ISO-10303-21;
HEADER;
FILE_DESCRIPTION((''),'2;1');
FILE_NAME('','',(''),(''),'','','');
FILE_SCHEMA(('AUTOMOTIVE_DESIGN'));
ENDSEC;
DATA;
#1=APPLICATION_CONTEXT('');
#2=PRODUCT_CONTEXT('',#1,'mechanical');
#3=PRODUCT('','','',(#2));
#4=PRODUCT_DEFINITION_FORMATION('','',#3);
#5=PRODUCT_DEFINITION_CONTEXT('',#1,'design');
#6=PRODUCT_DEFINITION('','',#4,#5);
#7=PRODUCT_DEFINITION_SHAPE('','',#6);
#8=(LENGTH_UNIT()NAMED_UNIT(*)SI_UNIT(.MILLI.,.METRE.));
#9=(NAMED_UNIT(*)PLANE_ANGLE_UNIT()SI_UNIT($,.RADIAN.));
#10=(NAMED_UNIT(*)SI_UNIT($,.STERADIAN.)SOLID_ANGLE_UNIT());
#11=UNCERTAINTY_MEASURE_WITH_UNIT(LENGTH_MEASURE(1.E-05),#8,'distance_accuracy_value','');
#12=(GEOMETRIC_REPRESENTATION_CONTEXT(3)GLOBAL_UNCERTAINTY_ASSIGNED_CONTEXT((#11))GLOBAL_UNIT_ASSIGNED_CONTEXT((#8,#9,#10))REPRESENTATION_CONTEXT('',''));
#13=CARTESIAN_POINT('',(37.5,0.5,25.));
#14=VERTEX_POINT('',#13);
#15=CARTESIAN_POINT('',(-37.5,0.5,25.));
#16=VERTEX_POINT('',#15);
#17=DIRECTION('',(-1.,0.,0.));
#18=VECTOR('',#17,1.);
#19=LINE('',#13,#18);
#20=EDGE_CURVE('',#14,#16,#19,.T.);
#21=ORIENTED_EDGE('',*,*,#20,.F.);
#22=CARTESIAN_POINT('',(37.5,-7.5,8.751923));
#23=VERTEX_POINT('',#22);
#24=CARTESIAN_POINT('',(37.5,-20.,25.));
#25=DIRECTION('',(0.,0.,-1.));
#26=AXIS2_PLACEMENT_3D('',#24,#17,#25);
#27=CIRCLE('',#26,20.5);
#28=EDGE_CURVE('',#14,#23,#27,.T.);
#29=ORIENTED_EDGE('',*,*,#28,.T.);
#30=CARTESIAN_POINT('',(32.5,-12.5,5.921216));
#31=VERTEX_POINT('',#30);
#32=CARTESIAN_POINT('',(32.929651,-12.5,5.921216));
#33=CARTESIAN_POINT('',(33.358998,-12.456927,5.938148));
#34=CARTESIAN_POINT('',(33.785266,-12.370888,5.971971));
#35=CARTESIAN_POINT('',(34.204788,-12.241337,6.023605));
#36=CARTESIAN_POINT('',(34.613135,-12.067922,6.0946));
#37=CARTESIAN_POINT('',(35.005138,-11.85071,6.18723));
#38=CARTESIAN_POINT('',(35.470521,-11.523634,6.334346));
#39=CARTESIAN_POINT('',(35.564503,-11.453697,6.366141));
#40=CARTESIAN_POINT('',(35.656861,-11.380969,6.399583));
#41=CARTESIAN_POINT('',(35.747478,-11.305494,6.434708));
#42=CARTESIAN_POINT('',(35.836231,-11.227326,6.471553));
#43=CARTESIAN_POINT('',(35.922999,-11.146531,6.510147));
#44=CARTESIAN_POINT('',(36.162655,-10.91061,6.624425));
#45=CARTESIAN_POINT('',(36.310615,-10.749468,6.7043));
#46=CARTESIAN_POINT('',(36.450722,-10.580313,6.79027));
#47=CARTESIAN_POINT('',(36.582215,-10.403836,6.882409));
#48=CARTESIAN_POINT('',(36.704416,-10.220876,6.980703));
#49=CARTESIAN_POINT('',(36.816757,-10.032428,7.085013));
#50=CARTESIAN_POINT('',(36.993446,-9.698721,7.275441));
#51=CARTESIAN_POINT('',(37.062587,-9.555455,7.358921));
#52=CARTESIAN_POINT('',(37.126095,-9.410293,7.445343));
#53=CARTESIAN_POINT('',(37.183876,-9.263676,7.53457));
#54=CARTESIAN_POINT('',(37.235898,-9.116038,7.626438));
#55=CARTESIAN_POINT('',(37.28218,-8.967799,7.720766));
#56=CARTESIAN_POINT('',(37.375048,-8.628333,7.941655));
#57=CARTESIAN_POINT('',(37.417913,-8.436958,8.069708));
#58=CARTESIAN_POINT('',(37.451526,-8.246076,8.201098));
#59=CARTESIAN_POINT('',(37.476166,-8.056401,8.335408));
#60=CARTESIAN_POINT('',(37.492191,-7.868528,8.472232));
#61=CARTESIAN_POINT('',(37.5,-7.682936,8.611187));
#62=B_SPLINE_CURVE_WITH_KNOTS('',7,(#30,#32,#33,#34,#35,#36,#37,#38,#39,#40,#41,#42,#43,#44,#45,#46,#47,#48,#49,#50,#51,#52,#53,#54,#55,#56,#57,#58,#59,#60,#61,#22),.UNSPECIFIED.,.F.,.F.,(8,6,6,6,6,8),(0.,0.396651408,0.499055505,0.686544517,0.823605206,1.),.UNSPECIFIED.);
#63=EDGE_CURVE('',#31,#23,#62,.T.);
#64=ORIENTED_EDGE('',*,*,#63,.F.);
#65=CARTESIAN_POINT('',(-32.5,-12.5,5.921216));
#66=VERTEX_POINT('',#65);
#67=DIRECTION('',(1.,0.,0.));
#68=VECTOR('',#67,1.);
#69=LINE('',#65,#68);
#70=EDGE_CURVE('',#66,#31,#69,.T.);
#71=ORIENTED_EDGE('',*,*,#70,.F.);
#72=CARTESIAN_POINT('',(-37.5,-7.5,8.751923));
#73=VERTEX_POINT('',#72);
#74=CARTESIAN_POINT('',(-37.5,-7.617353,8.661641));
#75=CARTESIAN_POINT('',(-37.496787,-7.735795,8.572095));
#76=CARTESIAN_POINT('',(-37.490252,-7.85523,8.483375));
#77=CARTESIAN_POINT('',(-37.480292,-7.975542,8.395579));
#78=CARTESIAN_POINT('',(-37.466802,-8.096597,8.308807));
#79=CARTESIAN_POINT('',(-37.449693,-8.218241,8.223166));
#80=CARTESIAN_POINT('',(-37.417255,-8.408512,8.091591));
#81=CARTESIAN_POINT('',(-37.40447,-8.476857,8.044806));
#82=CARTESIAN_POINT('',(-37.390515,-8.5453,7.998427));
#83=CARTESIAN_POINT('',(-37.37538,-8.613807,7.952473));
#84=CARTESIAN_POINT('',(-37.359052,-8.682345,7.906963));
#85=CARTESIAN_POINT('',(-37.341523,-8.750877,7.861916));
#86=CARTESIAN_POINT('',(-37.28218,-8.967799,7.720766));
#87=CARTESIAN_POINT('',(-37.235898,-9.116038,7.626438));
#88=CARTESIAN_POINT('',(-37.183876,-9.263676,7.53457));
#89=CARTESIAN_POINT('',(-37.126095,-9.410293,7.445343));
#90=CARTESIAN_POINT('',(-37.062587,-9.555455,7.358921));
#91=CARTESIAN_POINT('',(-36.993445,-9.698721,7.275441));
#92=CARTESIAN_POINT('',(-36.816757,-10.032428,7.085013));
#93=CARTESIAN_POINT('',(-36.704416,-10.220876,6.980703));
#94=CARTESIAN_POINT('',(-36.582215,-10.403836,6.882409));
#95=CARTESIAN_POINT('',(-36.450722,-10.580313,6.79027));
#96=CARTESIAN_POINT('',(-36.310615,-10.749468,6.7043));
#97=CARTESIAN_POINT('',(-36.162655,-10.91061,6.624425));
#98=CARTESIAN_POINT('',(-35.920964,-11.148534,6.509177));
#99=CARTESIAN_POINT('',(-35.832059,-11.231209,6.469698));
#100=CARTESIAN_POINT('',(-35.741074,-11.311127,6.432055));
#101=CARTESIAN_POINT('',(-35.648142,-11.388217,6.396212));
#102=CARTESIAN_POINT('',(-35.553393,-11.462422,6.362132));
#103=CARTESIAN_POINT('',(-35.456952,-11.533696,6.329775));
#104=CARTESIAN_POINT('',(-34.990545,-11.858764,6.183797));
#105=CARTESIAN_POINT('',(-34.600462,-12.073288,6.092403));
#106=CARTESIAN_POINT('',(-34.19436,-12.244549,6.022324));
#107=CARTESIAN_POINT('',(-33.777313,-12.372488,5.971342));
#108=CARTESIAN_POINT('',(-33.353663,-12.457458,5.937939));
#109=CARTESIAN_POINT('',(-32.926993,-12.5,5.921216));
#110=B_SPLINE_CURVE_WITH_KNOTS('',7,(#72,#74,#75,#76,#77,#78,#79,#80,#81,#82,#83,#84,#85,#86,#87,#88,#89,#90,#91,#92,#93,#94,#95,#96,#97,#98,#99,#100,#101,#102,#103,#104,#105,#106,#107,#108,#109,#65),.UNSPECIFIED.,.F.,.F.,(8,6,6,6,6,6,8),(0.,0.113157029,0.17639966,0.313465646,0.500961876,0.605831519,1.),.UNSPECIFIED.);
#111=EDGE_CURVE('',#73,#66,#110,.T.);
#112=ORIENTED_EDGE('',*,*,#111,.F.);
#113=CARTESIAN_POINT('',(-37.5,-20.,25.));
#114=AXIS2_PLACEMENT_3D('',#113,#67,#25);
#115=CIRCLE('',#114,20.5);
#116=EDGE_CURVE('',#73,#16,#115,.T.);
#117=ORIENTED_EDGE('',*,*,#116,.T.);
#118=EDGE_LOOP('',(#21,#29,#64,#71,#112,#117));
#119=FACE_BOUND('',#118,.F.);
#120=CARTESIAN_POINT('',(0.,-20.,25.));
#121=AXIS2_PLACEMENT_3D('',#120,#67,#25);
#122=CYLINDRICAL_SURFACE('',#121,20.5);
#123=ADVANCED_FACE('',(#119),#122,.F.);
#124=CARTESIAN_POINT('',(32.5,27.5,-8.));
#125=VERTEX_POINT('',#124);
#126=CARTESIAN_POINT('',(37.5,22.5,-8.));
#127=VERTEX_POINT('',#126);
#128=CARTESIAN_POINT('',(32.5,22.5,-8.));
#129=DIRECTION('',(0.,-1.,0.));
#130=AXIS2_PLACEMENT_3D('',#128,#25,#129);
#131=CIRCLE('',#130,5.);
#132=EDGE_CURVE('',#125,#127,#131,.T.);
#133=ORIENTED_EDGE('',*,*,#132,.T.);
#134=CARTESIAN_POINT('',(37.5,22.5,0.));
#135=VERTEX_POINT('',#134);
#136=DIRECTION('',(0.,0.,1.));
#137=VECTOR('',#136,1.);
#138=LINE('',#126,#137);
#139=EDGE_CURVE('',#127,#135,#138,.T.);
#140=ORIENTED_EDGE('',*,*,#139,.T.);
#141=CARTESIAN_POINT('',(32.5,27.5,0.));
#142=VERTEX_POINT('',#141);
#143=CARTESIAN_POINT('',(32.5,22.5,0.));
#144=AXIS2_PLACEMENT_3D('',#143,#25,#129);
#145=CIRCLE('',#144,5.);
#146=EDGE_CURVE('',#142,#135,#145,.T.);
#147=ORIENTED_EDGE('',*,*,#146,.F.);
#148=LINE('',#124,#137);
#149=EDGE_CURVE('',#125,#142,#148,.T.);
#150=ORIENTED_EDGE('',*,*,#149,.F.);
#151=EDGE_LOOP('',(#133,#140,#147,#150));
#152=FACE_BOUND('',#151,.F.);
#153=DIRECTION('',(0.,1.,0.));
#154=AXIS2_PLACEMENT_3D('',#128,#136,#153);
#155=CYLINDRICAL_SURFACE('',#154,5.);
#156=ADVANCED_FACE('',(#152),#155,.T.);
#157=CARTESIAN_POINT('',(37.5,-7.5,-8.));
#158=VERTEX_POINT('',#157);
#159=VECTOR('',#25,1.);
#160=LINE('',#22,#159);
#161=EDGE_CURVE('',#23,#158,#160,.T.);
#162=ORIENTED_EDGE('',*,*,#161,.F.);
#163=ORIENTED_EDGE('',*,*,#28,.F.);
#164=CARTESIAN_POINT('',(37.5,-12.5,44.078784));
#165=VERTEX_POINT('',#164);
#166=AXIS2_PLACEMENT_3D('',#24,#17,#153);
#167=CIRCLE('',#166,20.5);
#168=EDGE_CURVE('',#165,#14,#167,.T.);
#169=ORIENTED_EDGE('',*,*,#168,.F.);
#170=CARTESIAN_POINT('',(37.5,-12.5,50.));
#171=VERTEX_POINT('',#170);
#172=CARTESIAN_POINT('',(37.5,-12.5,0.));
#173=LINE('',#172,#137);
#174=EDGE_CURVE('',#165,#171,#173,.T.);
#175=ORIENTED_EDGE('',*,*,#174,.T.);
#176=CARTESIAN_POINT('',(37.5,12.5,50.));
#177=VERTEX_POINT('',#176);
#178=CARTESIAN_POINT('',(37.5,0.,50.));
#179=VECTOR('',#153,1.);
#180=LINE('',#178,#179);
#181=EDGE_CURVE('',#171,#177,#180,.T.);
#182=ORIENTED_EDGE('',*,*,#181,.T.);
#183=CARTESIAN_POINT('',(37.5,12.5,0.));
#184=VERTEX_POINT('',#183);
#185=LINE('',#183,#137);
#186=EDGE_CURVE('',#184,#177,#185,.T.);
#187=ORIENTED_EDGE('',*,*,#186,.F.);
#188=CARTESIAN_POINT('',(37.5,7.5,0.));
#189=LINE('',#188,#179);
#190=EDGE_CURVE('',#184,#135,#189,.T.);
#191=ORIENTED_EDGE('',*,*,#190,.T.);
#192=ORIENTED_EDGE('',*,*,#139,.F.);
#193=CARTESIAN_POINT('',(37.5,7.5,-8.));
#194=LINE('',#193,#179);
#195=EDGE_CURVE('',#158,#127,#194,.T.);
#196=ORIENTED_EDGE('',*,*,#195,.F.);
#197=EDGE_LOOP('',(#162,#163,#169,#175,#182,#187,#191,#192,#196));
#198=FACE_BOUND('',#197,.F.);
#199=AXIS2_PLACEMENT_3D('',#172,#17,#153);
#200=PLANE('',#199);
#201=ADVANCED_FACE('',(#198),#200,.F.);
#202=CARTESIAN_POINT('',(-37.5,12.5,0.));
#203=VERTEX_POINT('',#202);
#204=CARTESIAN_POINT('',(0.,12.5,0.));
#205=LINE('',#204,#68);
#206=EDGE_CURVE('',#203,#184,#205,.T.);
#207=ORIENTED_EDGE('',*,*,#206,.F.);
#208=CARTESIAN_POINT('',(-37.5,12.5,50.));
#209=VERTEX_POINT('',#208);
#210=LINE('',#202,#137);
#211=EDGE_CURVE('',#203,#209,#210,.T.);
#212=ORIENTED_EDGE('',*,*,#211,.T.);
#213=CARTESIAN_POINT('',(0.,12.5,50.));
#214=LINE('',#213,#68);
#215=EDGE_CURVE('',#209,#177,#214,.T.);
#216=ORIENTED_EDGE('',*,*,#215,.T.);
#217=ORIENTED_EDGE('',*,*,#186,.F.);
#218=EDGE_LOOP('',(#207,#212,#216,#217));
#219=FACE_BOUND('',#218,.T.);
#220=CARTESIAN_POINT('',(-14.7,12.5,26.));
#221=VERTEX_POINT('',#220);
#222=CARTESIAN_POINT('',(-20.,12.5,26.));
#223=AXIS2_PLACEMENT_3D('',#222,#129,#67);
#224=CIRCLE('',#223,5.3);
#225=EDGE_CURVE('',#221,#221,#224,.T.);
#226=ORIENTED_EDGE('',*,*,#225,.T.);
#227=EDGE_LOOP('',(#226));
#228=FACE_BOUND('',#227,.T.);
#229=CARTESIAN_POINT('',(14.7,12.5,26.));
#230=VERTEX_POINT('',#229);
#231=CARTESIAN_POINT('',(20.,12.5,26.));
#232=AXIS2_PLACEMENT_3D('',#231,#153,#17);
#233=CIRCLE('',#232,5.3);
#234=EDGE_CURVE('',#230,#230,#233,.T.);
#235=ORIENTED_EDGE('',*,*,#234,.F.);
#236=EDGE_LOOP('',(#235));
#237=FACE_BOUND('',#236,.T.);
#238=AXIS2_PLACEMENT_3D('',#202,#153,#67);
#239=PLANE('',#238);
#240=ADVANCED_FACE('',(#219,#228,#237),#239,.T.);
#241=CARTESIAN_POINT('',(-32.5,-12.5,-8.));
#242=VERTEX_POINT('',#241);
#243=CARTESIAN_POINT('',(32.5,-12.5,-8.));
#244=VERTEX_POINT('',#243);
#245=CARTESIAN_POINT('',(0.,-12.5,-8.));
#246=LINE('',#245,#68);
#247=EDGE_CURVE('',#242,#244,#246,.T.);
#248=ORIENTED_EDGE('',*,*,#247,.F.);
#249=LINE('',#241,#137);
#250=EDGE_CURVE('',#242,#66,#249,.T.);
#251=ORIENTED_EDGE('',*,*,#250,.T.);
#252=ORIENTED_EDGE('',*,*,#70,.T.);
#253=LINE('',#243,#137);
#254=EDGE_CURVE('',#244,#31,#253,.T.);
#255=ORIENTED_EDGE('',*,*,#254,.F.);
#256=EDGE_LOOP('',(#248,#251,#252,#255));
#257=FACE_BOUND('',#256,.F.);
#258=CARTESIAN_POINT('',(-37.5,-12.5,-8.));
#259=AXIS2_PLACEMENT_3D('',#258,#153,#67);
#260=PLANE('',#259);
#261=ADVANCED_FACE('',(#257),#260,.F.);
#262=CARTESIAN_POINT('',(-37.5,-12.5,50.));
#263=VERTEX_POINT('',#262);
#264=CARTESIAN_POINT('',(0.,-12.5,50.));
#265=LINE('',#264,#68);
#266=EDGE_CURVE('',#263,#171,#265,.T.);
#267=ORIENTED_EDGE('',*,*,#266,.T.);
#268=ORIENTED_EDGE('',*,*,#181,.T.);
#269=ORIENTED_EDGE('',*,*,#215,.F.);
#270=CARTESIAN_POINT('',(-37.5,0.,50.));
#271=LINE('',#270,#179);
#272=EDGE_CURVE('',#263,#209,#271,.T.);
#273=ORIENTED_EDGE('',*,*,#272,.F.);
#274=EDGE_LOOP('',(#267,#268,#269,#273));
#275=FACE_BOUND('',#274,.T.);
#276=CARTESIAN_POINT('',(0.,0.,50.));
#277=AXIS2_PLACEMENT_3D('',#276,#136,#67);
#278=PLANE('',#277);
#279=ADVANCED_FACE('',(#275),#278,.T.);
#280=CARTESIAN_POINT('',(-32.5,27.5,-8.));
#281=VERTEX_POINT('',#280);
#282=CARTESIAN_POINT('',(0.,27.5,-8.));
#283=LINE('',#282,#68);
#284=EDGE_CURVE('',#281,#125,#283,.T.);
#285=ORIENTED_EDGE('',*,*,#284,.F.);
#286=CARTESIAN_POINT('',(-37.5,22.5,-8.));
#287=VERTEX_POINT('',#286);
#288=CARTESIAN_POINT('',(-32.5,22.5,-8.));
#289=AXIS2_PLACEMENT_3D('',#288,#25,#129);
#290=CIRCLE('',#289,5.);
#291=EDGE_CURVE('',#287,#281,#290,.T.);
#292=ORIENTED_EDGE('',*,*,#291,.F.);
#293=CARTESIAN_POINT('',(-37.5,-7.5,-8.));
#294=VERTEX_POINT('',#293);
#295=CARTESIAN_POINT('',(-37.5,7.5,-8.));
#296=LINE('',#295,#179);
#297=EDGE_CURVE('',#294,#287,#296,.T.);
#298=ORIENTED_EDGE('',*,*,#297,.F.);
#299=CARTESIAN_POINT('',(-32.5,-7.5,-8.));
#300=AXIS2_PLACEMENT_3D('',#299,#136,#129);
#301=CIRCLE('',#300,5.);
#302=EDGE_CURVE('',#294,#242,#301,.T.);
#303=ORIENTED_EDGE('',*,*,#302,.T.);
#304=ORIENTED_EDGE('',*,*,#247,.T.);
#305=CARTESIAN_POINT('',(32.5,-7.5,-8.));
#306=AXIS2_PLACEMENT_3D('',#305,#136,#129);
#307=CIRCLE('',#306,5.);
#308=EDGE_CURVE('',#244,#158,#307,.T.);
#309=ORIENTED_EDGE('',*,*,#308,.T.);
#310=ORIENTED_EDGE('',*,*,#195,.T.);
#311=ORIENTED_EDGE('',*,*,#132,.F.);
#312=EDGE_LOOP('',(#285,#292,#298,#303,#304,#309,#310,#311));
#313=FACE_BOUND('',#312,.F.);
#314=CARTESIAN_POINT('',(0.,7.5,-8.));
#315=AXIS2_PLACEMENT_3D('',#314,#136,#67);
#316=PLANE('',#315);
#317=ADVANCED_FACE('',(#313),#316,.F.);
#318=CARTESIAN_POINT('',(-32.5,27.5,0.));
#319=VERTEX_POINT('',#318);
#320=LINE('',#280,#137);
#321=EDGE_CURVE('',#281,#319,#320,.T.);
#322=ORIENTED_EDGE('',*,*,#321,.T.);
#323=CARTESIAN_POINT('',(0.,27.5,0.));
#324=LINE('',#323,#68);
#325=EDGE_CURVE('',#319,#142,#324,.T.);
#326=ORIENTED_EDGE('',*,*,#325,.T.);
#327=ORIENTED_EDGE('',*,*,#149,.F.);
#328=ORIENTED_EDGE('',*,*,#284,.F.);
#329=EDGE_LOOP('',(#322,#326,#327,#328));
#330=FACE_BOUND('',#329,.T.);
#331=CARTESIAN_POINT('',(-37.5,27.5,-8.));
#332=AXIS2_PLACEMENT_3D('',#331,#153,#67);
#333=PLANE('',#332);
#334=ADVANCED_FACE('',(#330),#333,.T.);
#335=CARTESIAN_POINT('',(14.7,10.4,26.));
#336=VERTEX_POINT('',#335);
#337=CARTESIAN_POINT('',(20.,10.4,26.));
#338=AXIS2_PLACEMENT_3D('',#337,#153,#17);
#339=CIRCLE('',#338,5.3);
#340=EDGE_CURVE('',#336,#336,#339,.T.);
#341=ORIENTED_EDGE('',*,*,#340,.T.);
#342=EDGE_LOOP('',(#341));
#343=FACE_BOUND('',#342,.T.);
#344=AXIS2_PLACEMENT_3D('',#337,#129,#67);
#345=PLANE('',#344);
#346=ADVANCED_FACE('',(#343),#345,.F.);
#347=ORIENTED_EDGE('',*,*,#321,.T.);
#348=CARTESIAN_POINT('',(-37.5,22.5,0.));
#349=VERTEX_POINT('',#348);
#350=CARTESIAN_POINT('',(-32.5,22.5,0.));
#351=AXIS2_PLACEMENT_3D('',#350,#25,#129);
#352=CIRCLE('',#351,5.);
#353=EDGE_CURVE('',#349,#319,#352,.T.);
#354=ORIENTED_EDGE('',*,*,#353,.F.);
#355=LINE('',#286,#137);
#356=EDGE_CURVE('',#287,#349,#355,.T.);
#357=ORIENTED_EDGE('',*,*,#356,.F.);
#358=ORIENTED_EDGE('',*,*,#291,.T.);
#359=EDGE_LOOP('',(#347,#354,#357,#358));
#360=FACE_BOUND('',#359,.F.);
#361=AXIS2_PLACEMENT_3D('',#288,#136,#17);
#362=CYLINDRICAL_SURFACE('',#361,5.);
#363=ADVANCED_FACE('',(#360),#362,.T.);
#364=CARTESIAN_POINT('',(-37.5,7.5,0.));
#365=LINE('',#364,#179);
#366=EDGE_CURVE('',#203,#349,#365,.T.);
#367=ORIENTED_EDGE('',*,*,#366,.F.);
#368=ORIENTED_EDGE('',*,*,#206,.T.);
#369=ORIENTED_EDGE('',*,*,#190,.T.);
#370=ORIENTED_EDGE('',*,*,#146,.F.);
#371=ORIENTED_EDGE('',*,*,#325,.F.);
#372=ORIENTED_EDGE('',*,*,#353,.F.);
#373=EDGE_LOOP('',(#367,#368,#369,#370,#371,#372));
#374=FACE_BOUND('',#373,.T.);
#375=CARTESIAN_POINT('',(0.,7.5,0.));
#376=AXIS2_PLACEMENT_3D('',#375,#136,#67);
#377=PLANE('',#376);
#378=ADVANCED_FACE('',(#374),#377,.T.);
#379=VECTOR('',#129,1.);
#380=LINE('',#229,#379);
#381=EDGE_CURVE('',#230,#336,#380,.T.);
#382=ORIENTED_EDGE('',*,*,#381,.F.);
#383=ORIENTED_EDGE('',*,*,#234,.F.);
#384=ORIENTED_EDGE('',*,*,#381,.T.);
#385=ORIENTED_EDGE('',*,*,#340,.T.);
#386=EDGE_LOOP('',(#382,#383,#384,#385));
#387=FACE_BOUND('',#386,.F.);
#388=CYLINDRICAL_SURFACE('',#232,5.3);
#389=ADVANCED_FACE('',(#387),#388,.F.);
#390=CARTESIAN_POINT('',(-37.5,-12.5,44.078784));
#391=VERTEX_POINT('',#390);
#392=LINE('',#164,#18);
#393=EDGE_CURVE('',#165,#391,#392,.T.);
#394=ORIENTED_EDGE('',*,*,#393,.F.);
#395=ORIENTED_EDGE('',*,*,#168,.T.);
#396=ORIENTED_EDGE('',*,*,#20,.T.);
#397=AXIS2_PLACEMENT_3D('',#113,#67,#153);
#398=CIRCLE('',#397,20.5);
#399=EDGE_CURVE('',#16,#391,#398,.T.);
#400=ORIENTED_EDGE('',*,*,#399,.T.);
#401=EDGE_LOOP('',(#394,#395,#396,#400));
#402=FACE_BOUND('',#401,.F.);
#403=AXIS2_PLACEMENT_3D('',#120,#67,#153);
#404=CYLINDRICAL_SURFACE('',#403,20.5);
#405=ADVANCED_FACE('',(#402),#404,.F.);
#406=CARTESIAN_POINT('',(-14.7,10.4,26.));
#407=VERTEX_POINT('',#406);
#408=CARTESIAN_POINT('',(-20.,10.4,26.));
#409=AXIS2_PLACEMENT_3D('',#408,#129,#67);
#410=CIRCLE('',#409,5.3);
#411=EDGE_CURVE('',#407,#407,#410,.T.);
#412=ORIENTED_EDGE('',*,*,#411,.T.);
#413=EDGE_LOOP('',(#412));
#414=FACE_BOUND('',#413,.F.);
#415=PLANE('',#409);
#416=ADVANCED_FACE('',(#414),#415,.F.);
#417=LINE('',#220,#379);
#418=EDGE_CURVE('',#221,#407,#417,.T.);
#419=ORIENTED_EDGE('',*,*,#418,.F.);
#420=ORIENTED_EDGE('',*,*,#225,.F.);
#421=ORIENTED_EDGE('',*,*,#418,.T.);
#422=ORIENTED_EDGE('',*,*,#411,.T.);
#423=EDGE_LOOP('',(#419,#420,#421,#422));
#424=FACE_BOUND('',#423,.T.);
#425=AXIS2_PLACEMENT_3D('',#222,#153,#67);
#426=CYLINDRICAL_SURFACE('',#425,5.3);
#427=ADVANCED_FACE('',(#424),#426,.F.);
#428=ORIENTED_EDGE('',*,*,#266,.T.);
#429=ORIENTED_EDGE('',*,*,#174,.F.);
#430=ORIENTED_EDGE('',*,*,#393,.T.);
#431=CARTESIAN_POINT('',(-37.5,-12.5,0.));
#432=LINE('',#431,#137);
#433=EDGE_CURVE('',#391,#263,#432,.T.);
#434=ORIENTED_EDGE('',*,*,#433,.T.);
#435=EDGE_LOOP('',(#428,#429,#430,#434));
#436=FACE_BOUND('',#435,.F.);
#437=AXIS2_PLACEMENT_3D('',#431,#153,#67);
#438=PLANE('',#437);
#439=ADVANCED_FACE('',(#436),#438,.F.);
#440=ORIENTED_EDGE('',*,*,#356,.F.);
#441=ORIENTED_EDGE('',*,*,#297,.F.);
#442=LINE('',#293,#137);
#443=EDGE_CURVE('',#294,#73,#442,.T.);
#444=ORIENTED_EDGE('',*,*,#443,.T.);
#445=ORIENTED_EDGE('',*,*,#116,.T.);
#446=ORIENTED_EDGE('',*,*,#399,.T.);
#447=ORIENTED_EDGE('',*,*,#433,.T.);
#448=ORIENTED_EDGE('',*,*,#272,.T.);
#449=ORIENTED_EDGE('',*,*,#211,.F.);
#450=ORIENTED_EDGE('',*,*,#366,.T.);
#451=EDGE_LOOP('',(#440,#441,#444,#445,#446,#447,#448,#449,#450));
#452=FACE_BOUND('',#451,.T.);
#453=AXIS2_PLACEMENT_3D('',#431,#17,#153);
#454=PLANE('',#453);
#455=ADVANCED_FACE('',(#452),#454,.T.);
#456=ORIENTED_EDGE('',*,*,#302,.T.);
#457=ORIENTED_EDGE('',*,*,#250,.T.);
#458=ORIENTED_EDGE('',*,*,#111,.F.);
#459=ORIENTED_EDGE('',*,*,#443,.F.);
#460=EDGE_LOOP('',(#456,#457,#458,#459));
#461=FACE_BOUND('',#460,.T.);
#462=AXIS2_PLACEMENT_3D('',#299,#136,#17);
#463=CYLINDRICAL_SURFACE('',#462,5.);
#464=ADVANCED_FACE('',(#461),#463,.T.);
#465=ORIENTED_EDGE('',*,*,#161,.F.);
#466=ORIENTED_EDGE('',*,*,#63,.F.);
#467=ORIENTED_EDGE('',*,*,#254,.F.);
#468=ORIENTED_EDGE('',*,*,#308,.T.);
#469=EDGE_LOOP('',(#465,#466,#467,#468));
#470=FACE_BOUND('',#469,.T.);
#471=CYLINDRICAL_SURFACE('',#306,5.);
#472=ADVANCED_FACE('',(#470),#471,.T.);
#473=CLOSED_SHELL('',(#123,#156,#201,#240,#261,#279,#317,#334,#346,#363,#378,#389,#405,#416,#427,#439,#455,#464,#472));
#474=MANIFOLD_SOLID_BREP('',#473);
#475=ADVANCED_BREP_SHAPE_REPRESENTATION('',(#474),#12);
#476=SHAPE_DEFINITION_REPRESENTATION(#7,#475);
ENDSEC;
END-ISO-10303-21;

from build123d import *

# Parameters (mm, degrees)
F0_W      = 75
F0_H      = 25
F1_DEPTH  = 50
F3_DEPTH  = 50
F5_W      = 75
F5_H      = 40
F6_DEPTH  = 8
F9_R      = 5
F10_R     = 5.3
F11_DEPTH = 2.1


with BuildPart() as f1:
    # F0 (on Top) → F1 (new body)
    with BuildSketch(Plane.XY):
        Rectangle(F0_W, F0_H)
    extrude(amount=F1_DEPTH)


with BuildPart() as f3:
    # F2 (on Right) → F3 (new body, symmetric)
    with BuildSketch(Plane.YZ):
        with BuildLine():
            ThreePointArc((-20, 4.5), (-5.5043109857, 10.5043109857), (0.5, 25))
            ThreePointArc((0.5, 25), (-34.4956890143, 39.4956890143), (-20, 4.5))
        make_face()
    extrude(amount=F3_DEPTH, both=True)


with BuildPart() as f1_1:
    add(f1.part)

    # F4: cut F3
    add(f3.part, mode=Mode.SUBTRACT)


with BuildPart() as f6:
    # F5 (on Top) → F6 (new body)
    with BuildSketch(Plane.XY):
        Rectangle(F5_W, F5_H)
    extrude(amount=F6_DEPTH)


with BuildPart() as f6_1:
    # F7: moved
    add(f6.part.moved(Location((0, 7.5, -8))))

    # F8: union F1
    add(f1_1.part)

    # F9
    f9_edges = [f6_1.edges().sort_by_distance(p)[0] for p in [
        (37.5, -12.5, -1.039392),
        (-37.5, -12.5, -1.039392),
        (37.5, 27.5, -4),
        (-37.5, 27.5, -4),
    ]]
    fillet(f9_edges, radius=F9_R)


with BuildPart() as f11:
    # F10 (on Front) → F11 (new body)
    with BuildSketch(Plane.XZ):
        with Locations((-20, 26)):
            Circle(F10_R)
    extrude(amount=F11_DEPTH)


with BuildPart() as f11_1:
    # F12: moved
    add(f11.part.moved(Location((0, 12.5, 0))))


with BuildPart() as f13_1:
    # F13: instance of F11
    add(f11_1.part.mirror(Plane.YZ))


with BuildPart() as f6_2:
    add(f6_1.part)

    # F14: cut F11, F13_1
    add(f11_1.part, mode=Mode.SUBTRACT)
    add(f13_1.part, mode=Mode.SUBTRACT)


solid = f6_2.part
